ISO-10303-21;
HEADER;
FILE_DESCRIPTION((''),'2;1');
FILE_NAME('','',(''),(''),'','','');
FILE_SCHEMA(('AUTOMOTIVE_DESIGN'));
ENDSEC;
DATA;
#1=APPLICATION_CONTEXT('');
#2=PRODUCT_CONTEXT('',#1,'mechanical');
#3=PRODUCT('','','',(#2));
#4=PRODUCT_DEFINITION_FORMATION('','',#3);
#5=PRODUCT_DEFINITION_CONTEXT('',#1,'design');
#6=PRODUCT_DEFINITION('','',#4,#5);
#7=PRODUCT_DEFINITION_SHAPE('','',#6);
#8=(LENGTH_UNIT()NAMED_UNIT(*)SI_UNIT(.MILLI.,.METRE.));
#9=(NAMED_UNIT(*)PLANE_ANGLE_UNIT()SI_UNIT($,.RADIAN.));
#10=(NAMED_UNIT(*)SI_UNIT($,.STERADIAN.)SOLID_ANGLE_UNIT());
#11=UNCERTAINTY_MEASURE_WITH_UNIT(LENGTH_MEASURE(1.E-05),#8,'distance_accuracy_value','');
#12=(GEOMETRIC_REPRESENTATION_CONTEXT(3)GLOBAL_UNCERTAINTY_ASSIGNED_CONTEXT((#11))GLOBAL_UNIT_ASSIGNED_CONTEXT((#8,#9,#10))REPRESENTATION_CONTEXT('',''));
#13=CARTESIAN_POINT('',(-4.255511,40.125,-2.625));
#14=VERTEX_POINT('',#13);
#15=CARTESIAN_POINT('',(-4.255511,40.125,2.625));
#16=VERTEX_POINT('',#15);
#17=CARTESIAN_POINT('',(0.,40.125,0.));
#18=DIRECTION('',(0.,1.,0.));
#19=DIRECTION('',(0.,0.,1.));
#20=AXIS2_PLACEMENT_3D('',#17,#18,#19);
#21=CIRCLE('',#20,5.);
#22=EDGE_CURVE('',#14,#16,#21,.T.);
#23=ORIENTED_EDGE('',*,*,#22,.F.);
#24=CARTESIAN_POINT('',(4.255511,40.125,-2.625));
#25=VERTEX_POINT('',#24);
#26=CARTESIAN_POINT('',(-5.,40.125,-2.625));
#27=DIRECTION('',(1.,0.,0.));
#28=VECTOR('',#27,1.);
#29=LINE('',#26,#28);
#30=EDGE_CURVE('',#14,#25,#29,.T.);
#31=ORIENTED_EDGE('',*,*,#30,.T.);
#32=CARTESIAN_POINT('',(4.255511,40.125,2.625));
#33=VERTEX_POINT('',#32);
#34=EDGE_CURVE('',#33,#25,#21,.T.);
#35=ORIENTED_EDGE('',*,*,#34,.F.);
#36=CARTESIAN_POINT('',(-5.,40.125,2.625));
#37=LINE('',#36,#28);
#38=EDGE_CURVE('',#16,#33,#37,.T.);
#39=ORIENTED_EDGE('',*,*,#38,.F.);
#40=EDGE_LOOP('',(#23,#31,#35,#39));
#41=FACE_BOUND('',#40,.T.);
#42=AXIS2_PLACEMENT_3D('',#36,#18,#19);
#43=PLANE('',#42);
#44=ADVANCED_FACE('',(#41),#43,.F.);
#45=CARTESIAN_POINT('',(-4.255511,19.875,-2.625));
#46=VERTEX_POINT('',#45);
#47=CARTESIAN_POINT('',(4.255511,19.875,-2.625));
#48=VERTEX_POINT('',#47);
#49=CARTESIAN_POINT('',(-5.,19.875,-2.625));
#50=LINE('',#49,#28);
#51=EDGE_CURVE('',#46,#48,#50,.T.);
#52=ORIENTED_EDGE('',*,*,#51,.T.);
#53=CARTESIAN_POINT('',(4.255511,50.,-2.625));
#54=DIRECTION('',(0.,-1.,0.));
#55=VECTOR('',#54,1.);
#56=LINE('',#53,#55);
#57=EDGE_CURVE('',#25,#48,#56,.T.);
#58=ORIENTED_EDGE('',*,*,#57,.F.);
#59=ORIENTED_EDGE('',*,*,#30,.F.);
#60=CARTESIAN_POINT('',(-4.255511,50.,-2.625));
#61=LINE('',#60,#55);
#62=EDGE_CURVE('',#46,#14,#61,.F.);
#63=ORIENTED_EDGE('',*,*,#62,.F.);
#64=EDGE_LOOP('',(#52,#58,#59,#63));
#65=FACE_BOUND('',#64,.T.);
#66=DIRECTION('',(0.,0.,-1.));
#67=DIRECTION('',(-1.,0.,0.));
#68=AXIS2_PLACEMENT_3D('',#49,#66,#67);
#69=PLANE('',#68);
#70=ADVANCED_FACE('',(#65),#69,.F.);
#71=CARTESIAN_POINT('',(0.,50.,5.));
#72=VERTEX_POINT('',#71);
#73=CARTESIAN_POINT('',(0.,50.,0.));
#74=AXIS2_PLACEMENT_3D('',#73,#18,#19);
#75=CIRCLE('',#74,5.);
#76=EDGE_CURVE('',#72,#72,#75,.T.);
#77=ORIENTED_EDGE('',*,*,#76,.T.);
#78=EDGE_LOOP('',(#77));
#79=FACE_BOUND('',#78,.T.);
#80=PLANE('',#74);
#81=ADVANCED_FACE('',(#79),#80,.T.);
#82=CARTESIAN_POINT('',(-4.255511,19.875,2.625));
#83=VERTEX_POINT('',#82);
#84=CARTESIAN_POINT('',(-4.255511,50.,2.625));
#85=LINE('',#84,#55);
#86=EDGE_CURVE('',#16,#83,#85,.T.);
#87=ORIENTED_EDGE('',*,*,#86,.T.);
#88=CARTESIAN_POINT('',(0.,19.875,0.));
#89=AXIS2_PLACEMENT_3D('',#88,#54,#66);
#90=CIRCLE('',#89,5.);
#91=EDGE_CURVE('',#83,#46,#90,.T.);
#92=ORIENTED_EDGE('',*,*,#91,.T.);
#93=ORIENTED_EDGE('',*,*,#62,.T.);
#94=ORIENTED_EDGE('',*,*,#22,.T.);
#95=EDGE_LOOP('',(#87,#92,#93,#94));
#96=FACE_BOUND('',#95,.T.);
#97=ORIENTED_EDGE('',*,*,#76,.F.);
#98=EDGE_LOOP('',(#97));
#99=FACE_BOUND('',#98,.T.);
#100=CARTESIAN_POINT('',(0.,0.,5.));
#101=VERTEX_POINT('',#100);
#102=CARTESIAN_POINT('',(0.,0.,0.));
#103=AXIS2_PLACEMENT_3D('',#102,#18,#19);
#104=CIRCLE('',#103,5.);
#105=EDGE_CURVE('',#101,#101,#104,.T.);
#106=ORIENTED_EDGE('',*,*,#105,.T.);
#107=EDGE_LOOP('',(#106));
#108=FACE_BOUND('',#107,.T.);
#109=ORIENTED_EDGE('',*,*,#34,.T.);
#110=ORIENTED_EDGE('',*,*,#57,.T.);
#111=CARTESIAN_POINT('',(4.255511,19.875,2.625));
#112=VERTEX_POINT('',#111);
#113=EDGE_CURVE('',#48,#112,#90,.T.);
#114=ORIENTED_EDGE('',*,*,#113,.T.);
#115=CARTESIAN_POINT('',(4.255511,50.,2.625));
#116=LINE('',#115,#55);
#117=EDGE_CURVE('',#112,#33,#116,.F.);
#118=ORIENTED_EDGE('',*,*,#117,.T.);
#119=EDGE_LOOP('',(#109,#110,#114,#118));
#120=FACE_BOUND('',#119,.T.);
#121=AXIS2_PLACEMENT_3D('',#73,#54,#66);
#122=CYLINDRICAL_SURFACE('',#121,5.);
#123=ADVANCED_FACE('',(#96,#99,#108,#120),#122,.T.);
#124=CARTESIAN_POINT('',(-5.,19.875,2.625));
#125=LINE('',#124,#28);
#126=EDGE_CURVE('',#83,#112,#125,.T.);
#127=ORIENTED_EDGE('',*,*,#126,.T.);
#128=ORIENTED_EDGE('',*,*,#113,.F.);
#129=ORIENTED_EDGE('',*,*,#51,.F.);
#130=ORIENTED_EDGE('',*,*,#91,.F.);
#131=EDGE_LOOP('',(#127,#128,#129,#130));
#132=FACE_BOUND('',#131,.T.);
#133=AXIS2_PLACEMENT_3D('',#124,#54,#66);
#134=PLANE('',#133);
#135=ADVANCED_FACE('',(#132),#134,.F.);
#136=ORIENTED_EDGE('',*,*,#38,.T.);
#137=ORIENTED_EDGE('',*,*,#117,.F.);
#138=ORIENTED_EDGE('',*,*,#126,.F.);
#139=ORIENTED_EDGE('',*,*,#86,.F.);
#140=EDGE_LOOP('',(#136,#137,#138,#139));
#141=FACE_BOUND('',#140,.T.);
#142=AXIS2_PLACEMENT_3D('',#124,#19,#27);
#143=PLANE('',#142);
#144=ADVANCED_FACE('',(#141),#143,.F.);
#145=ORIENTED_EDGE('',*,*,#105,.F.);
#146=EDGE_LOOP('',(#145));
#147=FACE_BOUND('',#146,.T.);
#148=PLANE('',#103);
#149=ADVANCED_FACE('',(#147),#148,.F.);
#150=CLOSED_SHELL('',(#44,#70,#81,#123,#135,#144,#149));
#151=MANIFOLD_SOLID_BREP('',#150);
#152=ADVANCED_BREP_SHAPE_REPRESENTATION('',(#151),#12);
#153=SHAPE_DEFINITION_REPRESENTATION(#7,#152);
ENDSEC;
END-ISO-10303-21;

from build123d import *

# Parameters (mm, degrees)
SKETCH1_R           = 5
BOSS_EXTRUDE1_DEPTH = 50
SKETCH2_W           = 5.25
SKETCH2_H           = 20.25
CUT_EXTRUDE1_DEPTH  = 11


with BuildPart() as part:
    # Sketch1 → Boss-Extrude1 (new body)
    with BuildSketch(Plane(origin=(0, 0, 0), x_dir=(1, 0, 0), z_dir=(0, 1, 0))):
        Circle(SKETCH1_R)
    extrude(amount=BOSS_EXTRUDE1_DEPTH)

    # Sketch2 → Cut-Extrude1 (cut, through all)
    with BuildSketch(Plane(origin=(5, 0, 0), x_dir=(0, 0, -1), z_dir=(1, 0, 0))):
        with Locations((0, 30)):
            Rectangle(SKETCH2_W, SKETCH2_H)
    extrude(amount=-CUT_EXTRUDE1_DEPTH, mode=Mode.SUBTRACT)


solid = part.part
